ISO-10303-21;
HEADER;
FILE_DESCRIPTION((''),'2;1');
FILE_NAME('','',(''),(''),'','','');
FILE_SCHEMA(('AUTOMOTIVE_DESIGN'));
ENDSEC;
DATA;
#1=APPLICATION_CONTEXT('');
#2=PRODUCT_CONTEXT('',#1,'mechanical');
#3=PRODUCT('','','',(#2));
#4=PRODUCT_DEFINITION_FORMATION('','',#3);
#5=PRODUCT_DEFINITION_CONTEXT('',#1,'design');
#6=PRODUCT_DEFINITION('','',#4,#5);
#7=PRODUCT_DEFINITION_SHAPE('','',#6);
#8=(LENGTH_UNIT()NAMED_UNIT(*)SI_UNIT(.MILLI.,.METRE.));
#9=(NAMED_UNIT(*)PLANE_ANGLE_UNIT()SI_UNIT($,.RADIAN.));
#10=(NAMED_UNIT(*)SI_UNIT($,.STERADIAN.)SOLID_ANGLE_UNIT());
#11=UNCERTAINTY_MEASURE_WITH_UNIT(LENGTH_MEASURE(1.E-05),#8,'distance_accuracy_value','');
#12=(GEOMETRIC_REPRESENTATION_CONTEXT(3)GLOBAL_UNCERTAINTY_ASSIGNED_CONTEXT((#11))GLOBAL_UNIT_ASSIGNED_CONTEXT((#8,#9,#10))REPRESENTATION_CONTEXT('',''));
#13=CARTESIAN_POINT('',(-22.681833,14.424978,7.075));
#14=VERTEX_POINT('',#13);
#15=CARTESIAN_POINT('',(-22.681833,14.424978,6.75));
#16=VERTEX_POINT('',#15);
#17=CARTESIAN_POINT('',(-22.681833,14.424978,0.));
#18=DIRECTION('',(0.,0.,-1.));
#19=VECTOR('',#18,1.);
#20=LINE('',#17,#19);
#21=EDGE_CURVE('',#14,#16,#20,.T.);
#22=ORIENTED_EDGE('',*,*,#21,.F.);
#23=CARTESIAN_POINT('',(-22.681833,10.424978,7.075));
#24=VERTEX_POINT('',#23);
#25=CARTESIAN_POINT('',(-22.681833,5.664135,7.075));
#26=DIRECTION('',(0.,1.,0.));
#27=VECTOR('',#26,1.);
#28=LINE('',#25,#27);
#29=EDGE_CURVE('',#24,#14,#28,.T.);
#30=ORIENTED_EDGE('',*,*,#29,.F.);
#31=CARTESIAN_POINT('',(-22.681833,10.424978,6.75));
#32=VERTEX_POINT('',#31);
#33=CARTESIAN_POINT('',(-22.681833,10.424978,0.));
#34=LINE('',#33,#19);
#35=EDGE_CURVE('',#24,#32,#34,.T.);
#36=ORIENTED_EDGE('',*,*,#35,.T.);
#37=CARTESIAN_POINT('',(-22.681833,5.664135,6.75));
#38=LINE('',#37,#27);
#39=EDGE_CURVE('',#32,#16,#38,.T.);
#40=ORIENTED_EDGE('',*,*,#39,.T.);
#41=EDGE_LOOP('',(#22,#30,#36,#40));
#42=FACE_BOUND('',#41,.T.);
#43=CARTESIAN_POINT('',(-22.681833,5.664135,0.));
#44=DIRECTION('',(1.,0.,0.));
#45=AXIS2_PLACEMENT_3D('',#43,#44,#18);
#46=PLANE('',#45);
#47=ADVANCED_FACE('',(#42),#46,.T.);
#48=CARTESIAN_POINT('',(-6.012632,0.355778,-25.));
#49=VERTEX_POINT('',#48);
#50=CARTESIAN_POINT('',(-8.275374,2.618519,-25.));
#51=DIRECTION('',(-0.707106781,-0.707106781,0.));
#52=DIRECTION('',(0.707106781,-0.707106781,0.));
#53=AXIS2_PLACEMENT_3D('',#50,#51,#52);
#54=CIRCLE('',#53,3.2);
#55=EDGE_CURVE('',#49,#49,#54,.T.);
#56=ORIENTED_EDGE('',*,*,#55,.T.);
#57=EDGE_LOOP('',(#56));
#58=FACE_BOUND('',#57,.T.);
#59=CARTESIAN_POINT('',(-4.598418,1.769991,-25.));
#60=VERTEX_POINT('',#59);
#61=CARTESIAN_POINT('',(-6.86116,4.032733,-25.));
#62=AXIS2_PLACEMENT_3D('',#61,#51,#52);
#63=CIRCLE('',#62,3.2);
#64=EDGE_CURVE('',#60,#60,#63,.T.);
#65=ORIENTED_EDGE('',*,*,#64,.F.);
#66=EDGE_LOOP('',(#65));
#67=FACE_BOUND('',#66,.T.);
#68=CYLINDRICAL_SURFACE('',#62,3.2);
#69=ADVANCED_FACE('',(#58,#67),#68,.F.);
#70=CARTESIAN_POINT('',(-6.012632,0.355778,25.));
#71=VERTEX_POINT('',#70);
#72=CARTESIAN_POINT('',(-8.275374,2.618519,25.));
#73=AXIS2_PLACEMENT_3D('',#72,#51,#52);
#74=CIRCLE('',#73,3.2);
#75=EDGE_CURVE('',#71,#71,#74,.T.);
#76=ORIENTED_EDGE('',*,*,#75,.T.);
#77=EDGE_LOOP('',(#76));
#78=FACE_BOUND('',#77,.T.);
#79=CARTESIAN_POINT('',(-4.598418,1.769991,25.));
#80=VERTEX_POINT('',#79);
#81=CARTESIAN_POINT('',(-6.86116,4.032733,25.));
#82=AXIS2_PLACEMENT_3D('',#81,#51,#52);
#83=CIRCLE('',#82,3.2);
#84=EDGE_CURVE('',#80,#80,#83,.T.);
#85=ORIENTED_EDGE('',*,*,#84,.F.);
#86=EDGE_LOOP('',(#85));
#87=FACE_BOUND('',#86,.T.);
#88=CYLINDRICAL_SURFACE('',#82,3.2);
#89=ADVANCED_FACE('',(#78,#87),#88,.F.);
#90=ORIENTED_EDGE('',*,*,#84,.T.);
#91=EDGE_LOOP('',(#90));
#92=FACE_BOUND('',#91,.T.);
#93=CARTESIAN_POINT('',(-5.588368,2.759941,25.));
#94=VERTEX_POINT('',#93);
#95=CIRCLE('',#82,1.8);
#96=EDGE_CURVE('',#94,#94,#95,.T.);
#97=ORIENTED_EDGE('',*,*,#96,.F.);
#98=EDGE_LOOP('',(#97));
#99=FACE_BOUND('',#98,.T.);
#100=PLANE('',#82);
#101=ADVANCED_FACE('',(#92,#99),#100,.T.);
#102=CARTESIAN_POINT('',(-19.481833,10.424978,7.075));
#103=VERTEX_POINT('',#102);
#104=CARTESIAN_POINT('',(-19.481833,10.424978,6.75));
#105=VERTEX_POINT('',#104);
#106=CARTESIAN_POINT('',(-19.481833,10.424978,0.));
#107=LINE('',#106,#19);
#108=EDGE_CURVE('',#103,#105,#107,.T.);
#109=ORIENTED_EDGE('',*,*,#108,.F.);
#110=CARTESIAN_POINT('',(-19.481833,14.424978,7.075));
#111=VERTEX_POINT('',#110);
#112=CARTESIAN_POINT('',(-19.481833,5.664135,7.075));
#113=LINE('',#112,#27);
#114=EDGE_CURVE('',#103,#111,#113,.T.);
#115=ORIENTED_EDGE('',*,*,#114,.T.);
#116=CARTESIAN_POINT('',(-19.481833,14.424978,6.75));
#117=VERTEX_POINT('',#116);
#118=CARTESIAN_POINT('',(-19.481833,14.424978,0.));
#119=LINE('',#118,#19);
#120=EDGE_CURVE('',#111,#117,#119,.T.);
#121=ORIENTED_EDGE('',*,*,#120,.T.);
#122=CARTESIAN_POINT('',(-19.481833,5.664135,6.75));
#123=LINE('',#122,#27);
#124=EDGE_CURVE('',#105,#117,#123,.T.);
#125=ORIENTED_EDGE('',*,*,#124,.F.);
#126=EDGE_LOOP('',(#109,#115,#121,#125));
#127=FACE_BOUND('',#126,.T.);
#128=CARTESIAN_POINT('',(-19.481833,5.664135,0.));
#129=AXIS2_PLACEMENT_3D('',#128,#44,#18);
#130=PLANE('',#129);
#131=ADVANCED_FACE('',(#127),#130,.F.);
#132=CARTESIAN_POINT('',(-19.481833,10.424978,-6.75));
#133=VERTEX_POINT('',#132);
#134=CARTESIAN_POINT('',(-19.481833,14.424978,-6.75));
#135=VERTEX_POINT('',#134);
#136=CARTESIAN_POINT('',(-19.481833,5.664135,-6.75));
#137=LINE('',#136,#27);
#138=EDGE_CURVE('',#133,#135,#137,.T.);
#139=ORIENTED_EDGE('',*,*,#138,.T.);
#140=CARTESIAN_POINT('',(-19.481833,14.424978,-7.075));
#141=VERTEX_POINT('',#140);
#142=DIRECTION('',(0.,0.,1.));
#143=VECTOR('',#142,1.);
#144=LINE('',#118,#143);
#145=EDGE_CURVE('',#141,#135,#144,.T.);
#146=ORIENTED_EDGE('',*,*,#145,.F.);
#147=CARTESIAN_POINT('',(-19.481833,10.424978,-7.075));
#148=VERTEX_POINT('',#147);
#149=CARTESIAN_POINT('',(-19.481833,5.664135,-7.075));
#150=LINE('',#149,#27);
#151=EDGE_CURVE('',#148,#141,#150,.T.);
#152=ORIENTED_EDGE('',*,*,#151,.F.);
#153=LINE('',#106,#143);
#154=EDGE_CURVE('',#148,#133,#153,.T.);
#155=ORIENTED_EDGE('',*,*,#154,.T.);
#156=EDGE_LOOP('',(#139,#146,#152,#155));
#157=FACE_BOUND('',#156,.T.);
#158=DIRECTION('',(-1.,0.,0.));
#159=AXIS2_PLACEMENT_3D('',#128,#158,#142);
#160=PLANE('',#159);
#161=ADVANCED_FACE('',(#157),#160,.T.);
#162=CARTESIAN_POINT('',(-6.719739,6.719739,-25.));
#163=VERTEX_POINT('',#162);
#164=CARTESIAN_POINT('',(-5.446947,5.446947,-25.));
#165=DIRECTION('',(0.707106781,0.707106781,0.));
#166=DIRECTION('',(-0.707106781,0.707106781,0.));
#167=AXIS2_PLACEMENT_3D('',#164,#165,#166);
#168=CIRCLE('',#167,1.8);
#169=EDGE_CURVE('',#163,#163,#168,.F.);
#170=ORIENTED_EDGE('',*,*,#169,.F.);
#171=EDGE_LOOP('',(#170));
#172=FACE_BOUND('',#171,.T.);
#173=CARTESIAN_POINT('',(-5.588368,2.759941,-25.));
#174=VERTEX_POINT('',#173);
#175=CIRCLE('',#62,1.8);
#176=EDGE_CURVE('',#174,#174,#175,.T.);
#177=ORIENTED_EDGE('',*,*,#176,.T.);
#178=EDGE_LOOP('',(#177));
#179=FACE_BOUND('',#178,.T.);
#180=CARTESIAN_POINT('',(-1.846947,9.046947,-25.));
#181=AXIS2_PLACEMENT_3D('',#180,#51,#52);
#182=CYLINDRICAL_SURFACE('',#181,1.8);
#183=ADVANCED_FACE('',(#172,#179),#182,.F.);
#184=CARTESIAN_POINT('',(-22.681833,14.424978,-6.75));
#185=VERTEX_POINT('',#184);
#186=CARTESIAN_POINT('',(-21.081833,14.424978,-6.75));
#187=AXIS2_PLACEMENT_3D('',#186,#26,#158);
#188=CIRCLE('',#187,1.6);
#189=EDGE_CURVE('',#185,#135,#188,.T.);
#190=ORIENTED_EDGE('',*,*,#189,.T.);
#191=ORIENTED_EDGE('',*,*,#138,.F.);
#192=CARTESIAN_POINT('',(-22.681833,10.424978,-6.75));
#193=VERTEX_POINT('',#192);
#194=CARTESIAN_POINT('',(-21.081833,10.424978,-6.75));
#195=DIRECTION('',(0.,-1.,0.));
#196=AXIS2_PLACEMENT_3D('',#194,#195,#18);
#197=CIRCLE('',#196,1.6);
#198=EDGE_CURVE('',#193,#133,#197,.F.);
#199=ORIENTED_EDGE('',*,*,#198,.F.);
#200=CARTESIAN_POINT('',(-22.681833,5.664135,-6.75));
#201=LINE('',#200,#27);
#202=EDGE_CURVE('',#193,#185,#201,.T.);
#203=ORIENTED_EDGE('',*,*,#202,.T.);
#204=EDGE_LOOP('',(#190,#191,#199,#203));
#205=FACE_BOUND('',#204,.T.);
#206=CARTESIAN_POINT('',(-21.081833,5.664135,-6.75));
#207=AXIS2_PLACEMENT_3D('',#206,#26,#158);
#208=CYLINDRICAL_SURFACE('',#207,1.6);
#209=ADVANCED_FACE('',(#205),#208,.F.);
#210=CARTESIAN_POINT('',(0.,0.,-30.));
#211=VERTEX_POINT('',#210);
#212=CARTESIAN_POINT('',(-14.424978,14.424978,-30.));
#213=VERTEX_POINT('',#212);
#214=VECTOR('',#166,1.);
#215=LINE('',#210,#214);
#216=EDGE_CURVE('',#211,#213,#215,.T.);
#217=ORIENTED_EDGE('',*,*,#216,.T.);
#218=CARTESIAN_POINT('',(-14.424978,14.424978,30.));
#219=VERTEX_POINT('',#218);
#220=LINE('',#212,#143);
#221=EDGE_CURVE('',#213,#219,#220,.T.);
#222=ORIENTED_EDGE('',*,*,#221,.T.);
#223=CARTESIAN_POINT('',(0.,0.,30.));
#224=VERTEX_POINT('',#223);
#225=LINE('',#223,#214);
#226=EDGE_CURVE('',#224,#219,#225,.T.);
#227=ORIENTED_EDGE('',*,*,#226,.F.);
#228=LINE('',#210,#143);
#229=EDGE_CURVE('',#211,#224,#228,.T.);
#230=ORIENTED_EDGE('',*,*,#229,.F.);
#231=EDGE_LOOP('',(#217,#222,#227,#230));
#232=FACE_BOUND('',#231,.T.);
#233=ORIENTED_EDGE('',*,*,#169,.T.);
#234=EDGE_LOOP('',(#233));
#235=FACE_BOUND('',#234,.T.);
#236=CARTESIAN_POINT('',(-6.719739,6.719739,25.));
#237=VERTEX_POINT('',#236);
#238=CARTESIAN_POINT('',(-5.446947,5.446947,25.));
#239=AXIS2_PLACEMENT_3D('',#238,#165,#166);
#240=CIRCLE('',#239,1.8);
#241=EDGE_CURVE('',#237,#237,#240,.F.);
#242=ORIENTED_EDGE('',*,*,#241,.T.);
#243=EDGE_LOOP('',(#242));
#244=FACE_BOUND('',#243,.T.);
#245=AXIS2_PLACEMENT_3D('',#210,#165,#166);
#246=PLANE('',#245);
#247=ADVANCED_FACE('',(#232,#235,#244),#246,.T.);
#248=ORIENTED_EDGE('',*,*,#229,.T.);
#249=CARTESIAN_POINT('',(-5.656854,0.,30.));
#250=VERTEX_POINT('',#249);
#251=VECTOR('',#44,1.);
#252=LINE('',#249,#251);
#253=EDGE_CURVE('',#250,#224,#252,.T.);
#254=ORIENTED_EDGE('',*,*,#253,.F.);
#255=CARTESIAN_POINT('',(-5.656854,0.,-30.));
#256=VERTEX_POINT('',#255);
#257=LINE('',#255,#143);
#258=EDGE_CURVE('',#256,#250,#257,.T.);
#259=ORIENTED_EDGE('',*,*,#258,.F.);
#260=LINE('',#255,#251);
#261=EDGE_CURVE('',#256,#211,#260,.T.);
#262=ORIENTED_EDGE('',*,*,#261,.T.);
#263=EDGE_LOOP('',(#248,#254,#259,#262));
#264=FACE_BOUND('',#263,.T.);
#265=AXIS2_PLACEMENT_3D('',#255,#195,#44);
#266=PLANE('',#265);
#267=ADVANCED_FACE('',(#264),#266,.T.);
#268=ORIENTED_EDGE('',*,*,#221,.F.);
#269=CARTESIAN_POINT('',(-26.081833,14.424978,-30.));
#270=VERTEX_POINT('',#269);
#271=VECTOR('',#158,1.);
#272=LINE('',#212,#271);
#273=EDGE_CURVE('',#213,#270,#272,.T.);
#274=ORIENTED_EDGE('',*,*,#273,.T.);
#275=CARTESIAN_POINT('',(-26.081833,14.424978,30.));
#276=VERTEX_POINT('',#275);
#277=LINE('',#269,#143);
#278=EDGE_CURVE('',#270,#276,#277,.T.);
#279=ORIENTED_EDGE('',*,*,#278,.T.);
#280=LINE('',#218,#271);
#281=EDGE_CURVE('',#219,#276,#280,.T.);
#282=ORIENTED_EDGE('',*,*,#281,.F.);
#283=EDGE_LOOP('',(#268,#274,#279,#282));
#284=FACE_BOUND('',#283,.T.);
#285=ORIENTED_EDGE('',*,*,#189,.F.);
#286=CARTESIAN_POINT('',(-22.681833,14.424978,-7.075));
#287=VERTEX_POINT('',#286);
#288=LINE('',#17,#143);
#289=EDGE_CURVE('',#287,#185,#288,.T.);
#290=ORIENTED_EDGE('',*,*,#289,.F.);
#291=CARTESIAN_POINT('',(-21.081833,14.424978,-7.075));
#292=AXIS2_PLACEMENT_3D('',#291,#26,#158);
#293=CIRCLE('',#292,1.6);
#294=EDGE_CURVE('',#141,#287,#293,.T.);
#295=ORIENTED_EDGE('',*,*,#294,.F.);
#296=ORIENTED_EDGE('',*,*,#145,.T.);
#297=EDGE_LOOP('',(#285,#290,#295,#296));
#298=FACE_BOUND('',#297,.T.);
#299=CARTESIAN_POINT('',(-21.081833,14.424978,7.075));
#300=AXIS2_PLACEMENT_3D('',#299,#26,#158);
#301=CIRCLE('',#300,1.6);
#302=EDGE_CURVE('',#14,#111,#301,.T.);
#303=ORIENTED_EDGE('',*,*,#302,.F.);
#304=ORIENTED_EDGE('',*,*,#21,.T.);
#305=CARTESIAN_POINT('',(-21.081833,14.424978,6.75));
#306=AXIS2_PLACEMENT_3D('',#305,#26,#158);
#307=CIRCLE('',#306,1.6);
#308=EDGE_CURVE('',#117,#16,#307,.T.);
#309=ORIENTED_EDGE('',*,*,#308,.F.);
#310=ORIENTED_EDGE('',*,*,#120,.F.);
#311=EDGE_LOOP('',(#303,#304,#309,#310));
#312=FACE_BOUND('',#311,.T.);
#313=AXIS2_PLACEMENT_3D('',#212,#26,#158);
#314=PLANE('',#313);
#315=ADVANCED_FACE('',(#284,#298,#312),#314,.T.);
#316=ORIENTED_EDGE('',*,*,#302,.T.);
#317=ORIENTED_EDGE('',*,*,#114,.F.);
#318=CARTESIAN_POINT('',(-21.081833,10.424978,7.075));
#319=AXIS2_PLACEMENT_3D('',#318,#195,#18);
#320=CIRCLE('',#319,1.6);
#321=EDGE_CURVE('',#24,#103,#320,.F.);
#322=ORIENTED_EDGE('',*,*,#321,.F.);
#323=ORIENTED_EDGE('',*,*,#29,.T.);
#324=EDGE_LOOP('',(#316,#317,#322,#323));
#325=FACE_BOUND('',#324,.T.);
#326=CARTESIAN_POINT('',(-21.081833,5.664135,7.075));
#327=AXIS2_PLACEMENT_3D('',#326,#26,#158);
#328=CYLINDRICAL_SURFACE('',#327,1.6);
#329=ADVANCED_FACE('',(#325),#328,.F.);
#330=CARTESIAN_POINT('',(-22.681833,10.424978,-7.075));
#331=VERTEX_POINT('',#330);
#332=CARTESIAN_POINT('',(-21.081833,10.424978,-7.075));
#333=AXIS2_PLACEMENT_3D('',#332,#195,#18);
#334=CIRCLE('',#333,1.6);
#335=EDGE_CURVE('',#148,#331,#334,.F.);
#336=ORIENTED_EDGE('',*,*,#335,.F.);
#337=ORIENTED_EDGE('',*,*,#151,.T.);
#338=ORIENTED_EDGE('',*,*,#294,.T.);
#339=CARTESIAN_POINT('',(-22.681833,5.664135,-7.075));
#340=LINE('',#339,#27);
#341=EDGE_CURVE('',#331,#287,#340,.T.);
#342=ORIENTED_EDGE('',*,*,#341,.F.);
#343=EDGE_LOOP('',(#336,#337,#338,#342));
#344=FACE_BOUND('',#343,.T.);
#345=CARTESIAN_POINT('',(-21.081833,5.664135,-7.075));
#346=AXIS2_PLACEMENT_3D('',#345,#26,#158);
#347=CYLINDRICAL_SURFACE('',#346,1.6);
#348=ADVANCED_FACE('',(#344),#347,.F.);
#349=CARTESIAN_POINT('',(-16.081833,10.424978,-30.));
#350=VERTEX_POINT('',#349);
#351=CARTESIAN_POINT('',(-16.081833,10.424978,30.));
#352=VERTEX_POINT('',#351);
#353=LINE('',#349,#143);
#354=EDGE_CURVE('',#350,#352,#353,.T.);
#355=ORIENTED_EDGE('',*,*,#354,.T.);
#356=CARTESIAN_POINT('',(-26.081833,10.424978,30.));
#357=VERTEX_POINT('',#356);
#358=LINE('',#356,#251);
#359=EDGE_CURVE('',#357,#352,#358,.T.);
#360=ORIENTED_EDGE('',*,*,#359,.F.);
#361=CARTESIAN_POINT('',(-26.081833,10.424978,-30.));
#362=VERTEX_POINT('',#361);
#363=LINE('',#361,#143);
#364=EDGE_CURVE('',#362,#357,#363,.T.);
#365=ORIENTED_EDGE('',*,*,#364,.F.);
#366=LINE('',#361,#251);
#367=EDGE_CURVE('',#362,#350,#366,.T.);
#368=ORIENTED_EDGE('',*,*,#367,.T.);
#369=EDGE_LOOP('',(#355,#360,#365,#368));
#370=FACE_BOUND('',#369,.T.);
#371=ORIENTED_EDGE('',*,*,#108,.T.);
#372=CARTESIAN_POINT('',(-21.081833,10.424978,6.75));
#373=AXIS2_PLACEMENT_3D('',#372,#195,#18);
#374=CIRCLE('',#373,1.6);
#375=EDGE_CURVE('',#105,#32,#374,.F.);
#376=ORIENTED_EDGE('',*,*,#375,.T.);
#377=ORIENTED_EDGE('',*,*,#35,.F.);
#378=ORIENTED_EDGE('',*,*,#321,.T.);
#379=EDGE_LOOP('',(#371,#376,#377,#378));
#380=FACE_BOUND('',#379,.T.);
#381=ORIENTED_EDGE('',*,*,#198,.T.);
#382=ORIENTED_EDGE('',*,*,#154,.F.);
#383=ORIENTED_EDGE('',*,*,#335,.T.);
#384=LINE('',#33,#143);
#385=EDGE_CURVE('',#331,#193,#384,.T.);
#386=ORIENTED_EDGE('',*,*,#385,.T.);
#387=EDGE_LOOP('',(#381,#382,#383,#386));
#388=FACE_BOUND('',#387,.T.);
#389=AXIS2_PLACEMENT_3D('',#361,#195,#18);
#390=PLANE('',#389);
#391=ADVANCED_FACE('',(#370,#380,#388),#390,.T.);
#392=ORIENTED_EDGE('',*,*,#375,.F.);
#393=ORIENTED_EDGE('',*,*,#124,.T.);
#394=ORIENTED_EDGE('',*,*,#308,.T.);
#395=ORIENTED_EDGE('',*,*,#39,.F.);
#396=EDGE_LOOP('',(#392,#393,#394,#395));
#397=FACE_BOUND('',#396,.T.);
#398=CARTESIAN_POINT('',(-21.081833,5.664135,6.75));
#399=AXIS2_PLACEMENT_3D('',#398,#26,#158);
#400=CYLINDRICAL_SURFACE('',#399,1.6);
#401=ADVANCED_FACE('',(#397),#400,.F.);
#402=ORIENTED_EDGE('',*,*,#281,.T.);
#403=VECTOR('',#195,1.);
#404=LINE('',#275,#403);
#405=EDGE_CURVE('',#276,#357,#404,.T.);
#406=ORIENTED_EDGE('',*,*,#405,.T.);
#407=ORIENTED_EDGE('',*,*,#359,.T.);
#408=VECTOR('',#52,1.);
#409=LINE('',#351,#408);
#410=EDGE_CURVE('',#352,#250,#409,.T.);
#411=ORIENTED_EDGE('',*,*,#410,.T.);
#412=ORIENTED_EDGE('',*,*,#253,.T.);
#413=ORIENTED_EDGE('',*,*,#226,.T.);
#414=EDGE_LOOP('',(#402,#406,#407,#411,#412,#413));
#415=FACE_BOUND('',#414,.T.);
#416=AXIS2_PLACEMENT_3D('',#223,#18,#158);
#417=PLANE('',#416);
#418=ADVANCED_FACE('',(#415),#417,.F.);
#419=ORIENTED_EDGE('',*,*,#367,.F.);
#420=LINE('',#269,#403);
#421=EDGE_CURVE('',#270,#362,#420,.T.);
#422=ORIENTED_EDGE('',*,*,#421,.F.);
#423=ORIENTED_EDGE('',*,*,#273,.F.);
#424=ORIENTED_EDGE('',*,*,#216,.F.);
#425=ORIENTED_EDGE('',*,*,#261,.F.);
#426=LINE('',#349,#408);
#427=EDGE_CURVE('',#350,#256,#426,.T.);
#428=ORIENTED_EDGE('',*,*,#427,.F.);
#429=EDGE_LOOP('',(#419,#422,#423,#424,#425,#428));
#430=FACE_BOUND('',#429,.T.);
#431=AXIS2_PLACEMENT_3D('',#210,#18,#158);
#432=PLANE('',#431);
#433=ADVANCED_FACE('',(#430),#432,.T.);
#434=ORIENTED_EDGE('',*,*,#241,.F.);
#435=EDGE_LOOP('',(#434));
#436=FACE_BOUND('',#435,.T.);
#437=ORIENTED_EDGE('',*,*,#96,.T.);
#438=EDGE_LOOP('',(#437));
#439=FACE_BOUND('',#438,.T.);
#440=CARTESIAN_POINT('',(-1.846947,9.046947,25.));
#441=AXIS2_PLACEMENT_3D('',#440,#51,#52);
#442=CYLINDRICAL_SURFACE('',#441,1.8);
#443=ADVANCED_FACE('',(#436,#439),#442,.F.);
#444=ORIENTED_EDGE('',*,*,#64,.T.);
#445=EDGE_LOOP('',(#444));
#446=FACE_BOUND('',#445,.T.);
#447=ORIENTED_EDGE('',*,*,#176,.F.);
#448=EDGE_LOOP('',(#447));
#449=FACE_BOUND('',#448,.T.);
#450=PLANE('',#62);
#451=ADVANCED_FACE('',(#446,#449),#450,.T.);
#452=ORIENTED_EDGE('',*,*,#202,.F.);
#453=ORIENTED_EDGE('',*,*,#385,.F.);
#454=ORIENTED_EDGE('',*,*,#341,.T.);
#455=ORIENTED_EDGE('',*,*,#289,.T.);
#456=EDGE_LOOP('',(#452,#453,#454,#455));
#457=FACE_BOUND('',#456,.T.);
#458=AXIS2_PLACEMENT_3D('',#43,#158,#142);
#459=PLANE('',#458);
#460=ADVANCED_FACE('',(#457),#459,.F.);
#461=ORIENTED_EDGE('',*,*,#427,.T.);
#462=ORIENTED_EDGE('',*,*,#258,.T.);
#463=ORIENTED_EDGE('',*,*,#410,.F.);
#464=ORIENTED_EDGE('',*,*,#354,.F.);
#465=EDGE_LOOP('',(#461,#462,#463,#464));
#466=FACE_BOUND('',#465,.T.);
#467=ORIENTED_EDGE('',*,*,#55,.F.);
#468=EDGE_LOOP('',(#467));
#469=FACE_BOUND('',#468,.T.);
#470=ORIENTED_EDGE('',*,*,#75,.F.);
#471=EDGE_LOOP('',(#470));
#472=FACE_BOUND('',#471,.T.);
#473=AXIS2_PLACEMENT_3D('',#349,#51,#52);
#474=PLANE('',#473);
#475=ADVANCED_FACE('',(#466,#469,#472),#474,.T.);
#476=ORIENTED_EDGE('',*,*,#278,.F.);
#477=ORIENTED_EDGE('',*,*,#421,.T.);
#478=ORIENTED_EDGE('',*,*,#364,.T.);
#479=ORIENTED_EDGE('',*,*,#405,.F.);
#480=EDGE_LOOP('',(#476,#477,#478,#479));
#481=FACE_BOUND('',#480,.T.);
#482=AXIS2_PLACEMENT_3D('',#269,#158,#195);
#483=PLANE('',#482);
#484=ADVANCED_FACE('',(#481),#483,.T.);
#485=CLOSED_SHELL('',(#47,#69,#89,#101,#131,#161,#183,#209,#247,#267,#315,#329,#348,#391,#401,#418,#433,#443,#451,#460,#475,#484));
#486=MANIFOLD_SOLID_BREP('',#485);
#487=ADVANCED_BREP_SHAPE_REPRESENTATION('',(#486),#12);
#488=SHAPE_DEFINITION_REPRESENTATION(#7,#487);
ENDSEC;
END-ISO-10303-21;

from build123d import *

# Parameters (mm, degrees)
SALIENTE_EXTRUIR1_DEPTH      = 30
SALIENTE_EXTRUIR1_DEPTH_BACK = 30
CROQUIS2_R                   = 1.8
CORTAR_EXTRUIR1_DEPTH        = 4
CROQUIS2_3_R                 = 3.2
CROQUIS2_3_R_2               = 1.8
CORTAR_EXTRUIR2_DEPTH        = 2
CORTAR_EXTRUIR3_DEPTH        = 4


with BuildPart() as part:
    # Croquis1 → Saliente-Extruir1 (new body, two sides)
    with BuildSketch(Plane.XY) as saliente_extruir1_sk:
        Polygon((0, 0), (-14.424978336, 14.424978336), (-26.081832586, 14.424978336), (-26.081832586, 10.424978336), (-16.081832586, 10.424978336), (-5.656854249, 0), align=None)
    extrude(amount=SALIENTE_EXTRUIR1_DEPTH)
    extrude(saliente_extruir1_sk.sketch, amount=-SALIENTE_EXTRUIR1_DEPTH_BACK)

    # Croquis2 → Cortar-Extruir1 (cut)
    with BuildSketch(Plane(origin=(-2.828427125, -2.828427125, 0), x_dir=(-0.707106781, 0.707106781, 0), z_dir=(-0.707106781, -0.707106781, 0))):
        with Locations((7.703145751, -25)):
            Circle(CROQUIS2_R)
        with Locations((7.703145751, 25)):
            Circle(CROQUIS2_R)
    extrude(amount=-CORTAR_EXTRUIR1_DEPTH, mode=Mode.SUBTRACT)

    # Croquis2<3> → Cortar-Extruir2 (cut)
    with BuildSketch(Plane(origin=(-2.828427125, -2.828427125, 0), x_dir=(-0.707106781, 0.707106781, 0), z_dir=(-0.707106781, -0.707106781, 0))):
        with Locations((7.703145751, 25)):
            Circle(CROQUIS2_3_R)
        with Locations((7.703145751, 25)):
            Circle(CROQUIS2_3_R_2, mode=Mode.SUBTRACT)
        with Locations((7.703145751, -25)):
            Circle(CROQUIS2_3_R)
        with Locations((7.703145751, -25)):
            Circle(CROQUIS2_3_R_2, mode=Mode.SUBTRACT)
    extrude(amount=-CORTAR_EXTRUIR2_DEPTH, mode=Mode.SUBTRACT)

    # Croquis3 → Cortar-Extruir3 (cut)
    with BuildSketch(Plane(origin=(0, 14.424978336, 0), x_dir=(1, 0, 0), z_dir=(0, 1, 0))):
        with BuildLine():
            Line((-19.481832586, 7.075), (-19.481832586, 6.75))
            ThreePointArc((-19.481832586, 6.75), (-21.081832586, 5.15), (-22.681832586, 6.75))
            Line((-22.681832586, 6.75), (-22.681832586, 7.075))
            ThreePointArc((-22.681832586, 7.075), (-21.081832586, 8.675), (-19.481832586, 7.075))
        make_face()
        with BuildLine():
            Line((-19.481832586, -7.075), (-19.481832586, -6.75))
            ThreePointArc((-19.481832586, -6.75), (-21.081832586, -5.15), (-22.681832586, -6.75))
            Line((-22.681832586, -6.75), (-22.681832586, -7.075))
            ThreePointArc((-22.681832586, -7.075), (-21.081832586, -8.675), (-19.481832586, -7.075))
        make_face()
    extrude(amount=-CORTAR_EXTRUIR3_DEPTH, mode=Mode.SUBTRACT)


solid = part.part
